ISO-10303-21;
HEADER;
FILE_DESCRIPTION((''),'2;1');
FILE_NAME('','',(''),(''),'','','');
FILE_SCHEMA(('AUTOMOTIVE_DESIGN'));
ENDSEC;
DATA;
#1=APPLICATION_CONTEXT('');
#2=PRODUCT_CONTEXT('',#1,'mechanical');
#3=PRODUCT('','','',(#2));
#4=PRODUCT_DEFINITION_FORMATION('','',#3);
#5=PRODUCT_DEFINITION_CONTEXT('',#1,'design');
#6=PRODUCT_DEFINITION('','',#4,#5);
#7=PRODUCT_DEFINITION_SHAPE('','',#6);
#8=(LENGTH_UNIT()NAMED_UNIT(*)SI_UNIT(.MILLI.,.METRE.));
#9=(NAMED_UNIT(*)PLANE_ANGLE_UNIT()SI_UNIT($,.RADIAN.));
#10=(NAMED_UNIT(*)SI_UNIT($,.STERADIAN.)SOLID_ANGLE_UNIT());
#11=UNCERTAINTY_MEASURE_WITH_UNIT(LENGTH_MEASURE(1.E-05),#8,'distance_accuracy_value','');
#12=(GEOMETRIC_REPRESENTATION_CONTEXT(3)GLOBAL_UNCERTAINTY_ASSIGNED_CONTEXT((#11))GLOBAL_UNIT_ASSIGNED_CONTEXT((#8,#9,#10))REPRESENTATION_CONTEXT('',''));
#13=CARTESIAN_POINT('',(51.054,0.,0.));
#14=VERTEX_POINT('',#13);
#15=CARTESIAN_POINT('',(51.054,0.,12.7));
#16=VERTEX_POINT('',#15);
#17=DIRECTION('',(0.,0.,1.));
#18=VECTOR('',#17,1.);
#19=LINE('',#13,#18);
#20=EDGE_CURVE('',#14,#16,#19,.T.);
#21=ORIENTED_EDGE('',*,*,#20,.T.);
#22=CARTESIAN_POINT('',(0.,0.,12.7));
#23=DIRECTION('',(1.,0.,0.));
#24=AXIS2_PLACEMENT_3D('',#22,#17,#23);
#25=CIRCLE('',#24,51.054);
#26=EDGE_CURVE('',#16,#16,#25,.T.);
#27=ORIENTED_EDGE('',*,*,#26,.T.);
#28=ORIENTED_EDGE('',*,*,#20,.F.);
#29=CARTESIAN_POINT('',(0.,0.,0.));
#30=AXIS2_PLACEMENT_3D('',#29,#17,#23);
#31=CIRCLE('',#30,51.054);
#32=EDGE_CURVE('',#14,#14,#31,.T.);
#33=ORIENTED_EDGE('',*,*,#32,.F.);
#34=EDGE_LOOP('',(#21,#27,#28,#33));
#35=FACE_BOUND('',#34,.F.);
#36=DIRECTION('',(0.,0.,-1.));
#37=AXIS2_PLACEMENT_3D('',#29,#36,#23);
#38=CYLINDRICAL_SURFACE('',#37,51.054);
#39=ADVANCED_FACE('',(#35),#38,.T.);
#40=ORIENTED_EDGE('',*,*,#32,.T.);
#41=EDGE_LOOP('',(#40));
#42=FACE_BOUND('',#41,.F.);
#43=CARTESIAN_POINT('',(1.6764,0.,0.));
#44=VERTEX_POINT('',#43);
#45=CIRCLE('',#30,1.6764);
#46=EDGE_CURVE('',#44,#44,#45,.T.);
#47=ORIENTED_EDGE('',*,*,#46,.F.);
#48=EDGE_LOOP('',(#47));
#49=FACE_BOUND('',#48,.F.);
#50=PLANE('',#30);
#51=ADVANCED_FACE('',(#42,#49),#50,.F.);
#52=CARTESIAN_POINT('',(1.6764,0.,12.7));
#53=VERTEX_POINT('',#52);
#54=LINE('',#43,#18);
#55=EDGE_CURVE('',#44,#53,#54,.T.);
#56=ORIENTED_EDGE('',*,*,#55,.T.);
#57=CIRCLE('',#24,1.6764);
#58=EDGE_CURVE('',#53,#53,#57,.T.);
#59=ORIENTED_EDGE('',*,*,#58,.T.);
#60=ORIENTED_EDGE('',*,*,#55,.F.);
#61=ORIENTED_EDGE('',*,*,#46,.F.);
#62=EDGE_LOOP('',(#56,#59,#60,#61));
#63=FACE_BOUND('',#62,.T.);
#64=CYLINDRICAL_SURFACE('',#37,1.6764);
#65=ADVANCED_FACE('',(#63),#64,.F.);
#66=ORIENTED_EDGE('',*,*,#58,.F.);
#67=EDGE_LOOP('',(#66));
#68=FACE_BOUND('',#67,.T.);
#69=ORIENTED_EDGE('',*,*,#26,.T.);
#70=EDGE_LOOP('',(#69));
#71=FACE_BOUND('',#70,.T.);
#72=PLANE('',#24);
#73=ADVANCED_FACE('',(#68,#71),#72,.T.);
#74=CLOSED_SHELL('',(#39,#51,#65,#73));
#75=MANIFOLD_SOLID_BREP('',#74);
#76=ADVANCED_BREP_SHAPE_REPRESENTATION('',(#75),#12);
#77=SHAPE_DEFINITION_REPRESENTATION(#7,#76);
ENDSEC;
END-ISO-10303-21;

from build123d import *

# Parameters (mm, degrees)
F0_R     = 51.054
F0_R_2   = 22.352
F0_R_3   = 11.2776
F0_R_4   = 8.5979
F0_R_5   = 1.6764
F1_DEPTH = 12.7


with BuildPart() as f1:
    # F0 (on Top) → F1 (new body)
    with BuildSketch(Plane.XY):
        Circle(F0_R)
        Circle(F0_R_2, mode=Mode.SUBTRACT)
        Circle(F0_R_2)
        Circle(F0_R_3, mode=Mode.SUBTRACT)
        Circle(F0_R_3)
        Circle(F0_R_4, mode=Mode.SUBTRACT)
        Circle(F0_R_4)
        Circle(F0_R_5, mode=Mode.SUBTRACT)
    extrude(amount=F1_DEPTH)


solid = f1.part
